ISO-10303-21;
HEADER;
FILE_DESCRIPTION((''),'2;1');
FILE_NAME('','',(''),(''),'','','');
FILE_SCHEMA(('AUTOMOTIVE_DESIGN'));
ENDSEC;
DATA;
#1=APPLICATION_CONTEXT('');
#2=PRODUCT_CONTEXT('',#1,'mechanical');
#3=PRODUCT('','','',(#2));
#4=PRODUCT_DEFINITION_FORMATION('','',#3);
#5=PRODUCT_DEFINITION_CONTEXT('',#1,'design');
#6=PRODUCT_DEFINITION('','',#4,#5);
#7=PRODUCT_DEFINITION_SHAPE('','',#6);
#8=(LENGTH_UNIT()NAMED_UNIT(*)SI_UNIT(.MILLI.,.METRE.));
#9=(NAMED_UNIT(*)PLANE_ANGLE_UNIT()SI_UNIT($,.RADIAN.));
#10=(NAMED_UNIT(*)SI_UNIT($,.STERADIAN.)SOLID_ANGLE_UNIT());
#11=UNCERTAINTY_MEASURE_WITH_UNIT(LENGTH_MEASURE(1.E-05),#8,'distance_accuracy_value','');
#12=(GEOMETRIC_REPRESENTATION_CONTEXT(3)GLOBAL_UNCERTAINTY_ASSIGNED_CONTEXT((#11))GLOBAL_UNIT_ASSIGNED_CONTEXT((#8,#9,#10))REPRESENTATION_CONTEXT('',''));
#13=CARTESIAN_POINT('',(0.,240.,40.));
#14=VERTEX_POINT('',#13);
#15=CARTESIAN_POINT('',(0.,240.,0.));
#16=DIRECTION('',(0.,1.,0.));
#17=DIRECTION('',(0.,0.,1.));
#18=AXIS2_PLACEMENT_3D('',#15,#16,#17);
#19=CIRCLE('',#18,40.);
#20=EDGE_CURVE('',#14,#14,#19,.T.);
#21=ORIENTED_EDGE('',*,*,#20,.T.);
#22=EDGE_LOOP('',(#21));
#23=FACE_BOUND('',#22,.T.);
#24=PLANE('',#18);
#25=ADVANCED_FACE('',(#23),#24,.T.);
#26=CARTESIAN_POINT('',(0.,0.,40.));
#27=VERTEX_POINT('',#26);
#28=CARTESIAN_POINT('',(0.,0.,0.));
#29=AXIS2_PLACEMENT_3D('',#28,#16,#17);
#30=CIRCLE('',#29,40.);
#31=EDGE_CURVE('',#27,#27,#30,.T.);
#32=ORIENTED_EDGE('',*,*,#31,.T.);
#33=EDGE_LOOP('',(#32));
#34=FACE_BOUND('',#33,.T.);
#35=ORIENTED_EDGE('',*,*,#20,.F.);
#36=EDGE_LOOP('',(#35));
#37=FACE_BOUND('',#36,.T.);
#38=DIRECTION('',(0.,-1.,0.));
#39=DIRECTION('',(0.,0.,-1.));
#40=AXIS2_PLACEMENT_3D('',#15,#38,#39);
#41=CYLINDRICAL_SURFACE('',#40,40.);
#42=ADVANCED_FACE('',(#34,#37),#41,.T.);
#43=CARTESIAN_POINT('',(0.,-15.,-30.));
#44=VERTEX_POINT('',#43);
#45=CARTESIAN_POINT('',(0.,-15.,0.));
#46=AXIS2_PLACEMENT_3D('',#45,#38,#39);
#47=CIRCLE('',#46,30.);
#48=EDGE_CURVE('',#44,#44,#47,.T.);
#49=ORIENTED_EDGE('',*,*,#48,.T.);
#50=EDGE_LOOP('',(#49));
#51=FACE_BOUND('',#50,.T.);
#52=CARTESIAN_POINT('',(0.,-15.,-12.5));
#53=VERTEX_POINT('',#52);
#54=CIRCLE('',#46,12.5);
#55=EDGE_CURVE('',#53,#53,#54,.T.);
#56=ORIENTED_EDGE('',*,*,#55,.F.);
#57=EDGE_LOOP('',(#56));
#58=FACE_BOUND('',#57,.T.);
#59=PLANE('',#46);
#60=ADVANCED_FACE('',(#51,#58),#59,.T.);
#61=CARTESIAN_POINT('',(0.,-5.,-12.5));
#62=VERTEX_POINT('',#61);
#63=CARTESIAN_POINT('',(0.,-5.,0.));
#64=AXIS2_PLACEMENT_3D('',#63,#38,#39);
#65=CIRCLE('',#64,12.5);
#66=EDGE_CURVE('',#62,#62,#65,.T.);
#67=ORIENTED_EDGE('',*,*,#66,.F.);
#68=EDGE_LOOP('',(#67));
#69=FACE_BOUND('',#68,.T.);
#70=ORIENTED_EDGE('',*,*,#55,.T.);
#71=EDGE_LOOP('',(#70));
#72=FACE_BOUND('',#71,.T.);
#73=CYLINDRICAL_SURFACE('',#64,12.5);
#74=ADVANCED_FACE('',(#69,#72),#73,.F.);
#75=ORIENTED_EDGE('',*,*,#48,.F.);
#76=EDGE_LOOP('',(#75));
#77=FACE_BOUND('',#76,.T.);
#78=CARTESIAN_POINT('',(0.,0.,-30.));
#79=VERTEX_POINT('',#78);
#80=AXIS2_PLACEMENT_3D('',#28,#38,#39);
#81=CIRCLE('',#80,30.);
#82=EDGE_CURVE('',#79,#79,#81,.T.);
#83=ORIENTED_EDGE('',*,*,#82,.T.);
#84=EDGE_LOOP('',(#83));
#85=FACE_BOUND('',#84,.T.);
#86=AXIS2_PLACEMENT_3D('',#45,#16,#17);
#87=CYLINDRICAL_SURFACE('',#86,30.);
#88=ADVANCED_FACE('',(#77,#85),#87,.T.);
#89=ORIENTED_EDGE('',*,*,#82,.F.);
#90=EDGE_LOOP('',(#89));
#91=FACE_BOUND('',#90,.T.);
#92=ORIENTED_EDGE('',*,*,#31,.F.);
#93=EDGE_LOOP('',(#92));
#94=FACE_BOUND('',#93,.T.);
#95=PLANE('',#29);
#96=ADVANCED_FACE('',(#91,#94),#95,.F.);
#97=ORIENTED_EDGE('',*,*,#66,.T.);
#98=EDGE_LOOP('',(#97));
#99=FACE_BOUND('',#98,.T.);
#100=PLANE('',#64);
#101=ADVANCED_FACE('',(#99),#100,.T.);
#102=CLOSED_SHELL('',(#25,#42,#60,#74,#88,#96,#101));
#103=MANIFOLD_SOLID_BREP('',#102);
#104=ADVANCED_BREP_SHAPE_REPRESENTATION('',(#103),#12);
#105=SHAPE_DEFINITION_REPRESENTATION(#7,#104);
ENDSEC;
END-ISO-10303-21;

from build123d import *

# Parameters (mm, degrees)
SKETCH1_R           = 40
BOSS_EXTRUDE1_DEPTH = 240
SKETCH2_R           = 30
BOSS_EXTRUDE2_DEPTH = 15
SKETCH3_R           = 12.5
CUT_EXTRUDE2_DEPTH  = 10


with BuildPart() as part:
    # Sketch1 → Boss-Extrude1 (new body)
    with BuildSketch(Plane(origin=(0, 0, 0), x_dir=(1, 0, 0), z_dir=(0, 1, 0))):
        Circle(SKETCH1_R)
    extrude(amount=BOSS_EXTRUDE1_DEPTH)

    # Sketch2 → Boss-Extrude2 (add)
    with BuildSketch(Plane.XZ):
        Circle(SKETCH2_R)
    extrude(amount=BOSS_EXTRUDE2_DEPTH)

    # Sketch3 → Cut-Extrude2 (cut)
    with BuildSketch(Plane.XZ.offset(15)):
        Circle(SKETCH3_R)
    extrude(amount=-CUT_EXTRUDE2_DEPTH, mode=Mode.SUBTRACT)


solid = part.part
